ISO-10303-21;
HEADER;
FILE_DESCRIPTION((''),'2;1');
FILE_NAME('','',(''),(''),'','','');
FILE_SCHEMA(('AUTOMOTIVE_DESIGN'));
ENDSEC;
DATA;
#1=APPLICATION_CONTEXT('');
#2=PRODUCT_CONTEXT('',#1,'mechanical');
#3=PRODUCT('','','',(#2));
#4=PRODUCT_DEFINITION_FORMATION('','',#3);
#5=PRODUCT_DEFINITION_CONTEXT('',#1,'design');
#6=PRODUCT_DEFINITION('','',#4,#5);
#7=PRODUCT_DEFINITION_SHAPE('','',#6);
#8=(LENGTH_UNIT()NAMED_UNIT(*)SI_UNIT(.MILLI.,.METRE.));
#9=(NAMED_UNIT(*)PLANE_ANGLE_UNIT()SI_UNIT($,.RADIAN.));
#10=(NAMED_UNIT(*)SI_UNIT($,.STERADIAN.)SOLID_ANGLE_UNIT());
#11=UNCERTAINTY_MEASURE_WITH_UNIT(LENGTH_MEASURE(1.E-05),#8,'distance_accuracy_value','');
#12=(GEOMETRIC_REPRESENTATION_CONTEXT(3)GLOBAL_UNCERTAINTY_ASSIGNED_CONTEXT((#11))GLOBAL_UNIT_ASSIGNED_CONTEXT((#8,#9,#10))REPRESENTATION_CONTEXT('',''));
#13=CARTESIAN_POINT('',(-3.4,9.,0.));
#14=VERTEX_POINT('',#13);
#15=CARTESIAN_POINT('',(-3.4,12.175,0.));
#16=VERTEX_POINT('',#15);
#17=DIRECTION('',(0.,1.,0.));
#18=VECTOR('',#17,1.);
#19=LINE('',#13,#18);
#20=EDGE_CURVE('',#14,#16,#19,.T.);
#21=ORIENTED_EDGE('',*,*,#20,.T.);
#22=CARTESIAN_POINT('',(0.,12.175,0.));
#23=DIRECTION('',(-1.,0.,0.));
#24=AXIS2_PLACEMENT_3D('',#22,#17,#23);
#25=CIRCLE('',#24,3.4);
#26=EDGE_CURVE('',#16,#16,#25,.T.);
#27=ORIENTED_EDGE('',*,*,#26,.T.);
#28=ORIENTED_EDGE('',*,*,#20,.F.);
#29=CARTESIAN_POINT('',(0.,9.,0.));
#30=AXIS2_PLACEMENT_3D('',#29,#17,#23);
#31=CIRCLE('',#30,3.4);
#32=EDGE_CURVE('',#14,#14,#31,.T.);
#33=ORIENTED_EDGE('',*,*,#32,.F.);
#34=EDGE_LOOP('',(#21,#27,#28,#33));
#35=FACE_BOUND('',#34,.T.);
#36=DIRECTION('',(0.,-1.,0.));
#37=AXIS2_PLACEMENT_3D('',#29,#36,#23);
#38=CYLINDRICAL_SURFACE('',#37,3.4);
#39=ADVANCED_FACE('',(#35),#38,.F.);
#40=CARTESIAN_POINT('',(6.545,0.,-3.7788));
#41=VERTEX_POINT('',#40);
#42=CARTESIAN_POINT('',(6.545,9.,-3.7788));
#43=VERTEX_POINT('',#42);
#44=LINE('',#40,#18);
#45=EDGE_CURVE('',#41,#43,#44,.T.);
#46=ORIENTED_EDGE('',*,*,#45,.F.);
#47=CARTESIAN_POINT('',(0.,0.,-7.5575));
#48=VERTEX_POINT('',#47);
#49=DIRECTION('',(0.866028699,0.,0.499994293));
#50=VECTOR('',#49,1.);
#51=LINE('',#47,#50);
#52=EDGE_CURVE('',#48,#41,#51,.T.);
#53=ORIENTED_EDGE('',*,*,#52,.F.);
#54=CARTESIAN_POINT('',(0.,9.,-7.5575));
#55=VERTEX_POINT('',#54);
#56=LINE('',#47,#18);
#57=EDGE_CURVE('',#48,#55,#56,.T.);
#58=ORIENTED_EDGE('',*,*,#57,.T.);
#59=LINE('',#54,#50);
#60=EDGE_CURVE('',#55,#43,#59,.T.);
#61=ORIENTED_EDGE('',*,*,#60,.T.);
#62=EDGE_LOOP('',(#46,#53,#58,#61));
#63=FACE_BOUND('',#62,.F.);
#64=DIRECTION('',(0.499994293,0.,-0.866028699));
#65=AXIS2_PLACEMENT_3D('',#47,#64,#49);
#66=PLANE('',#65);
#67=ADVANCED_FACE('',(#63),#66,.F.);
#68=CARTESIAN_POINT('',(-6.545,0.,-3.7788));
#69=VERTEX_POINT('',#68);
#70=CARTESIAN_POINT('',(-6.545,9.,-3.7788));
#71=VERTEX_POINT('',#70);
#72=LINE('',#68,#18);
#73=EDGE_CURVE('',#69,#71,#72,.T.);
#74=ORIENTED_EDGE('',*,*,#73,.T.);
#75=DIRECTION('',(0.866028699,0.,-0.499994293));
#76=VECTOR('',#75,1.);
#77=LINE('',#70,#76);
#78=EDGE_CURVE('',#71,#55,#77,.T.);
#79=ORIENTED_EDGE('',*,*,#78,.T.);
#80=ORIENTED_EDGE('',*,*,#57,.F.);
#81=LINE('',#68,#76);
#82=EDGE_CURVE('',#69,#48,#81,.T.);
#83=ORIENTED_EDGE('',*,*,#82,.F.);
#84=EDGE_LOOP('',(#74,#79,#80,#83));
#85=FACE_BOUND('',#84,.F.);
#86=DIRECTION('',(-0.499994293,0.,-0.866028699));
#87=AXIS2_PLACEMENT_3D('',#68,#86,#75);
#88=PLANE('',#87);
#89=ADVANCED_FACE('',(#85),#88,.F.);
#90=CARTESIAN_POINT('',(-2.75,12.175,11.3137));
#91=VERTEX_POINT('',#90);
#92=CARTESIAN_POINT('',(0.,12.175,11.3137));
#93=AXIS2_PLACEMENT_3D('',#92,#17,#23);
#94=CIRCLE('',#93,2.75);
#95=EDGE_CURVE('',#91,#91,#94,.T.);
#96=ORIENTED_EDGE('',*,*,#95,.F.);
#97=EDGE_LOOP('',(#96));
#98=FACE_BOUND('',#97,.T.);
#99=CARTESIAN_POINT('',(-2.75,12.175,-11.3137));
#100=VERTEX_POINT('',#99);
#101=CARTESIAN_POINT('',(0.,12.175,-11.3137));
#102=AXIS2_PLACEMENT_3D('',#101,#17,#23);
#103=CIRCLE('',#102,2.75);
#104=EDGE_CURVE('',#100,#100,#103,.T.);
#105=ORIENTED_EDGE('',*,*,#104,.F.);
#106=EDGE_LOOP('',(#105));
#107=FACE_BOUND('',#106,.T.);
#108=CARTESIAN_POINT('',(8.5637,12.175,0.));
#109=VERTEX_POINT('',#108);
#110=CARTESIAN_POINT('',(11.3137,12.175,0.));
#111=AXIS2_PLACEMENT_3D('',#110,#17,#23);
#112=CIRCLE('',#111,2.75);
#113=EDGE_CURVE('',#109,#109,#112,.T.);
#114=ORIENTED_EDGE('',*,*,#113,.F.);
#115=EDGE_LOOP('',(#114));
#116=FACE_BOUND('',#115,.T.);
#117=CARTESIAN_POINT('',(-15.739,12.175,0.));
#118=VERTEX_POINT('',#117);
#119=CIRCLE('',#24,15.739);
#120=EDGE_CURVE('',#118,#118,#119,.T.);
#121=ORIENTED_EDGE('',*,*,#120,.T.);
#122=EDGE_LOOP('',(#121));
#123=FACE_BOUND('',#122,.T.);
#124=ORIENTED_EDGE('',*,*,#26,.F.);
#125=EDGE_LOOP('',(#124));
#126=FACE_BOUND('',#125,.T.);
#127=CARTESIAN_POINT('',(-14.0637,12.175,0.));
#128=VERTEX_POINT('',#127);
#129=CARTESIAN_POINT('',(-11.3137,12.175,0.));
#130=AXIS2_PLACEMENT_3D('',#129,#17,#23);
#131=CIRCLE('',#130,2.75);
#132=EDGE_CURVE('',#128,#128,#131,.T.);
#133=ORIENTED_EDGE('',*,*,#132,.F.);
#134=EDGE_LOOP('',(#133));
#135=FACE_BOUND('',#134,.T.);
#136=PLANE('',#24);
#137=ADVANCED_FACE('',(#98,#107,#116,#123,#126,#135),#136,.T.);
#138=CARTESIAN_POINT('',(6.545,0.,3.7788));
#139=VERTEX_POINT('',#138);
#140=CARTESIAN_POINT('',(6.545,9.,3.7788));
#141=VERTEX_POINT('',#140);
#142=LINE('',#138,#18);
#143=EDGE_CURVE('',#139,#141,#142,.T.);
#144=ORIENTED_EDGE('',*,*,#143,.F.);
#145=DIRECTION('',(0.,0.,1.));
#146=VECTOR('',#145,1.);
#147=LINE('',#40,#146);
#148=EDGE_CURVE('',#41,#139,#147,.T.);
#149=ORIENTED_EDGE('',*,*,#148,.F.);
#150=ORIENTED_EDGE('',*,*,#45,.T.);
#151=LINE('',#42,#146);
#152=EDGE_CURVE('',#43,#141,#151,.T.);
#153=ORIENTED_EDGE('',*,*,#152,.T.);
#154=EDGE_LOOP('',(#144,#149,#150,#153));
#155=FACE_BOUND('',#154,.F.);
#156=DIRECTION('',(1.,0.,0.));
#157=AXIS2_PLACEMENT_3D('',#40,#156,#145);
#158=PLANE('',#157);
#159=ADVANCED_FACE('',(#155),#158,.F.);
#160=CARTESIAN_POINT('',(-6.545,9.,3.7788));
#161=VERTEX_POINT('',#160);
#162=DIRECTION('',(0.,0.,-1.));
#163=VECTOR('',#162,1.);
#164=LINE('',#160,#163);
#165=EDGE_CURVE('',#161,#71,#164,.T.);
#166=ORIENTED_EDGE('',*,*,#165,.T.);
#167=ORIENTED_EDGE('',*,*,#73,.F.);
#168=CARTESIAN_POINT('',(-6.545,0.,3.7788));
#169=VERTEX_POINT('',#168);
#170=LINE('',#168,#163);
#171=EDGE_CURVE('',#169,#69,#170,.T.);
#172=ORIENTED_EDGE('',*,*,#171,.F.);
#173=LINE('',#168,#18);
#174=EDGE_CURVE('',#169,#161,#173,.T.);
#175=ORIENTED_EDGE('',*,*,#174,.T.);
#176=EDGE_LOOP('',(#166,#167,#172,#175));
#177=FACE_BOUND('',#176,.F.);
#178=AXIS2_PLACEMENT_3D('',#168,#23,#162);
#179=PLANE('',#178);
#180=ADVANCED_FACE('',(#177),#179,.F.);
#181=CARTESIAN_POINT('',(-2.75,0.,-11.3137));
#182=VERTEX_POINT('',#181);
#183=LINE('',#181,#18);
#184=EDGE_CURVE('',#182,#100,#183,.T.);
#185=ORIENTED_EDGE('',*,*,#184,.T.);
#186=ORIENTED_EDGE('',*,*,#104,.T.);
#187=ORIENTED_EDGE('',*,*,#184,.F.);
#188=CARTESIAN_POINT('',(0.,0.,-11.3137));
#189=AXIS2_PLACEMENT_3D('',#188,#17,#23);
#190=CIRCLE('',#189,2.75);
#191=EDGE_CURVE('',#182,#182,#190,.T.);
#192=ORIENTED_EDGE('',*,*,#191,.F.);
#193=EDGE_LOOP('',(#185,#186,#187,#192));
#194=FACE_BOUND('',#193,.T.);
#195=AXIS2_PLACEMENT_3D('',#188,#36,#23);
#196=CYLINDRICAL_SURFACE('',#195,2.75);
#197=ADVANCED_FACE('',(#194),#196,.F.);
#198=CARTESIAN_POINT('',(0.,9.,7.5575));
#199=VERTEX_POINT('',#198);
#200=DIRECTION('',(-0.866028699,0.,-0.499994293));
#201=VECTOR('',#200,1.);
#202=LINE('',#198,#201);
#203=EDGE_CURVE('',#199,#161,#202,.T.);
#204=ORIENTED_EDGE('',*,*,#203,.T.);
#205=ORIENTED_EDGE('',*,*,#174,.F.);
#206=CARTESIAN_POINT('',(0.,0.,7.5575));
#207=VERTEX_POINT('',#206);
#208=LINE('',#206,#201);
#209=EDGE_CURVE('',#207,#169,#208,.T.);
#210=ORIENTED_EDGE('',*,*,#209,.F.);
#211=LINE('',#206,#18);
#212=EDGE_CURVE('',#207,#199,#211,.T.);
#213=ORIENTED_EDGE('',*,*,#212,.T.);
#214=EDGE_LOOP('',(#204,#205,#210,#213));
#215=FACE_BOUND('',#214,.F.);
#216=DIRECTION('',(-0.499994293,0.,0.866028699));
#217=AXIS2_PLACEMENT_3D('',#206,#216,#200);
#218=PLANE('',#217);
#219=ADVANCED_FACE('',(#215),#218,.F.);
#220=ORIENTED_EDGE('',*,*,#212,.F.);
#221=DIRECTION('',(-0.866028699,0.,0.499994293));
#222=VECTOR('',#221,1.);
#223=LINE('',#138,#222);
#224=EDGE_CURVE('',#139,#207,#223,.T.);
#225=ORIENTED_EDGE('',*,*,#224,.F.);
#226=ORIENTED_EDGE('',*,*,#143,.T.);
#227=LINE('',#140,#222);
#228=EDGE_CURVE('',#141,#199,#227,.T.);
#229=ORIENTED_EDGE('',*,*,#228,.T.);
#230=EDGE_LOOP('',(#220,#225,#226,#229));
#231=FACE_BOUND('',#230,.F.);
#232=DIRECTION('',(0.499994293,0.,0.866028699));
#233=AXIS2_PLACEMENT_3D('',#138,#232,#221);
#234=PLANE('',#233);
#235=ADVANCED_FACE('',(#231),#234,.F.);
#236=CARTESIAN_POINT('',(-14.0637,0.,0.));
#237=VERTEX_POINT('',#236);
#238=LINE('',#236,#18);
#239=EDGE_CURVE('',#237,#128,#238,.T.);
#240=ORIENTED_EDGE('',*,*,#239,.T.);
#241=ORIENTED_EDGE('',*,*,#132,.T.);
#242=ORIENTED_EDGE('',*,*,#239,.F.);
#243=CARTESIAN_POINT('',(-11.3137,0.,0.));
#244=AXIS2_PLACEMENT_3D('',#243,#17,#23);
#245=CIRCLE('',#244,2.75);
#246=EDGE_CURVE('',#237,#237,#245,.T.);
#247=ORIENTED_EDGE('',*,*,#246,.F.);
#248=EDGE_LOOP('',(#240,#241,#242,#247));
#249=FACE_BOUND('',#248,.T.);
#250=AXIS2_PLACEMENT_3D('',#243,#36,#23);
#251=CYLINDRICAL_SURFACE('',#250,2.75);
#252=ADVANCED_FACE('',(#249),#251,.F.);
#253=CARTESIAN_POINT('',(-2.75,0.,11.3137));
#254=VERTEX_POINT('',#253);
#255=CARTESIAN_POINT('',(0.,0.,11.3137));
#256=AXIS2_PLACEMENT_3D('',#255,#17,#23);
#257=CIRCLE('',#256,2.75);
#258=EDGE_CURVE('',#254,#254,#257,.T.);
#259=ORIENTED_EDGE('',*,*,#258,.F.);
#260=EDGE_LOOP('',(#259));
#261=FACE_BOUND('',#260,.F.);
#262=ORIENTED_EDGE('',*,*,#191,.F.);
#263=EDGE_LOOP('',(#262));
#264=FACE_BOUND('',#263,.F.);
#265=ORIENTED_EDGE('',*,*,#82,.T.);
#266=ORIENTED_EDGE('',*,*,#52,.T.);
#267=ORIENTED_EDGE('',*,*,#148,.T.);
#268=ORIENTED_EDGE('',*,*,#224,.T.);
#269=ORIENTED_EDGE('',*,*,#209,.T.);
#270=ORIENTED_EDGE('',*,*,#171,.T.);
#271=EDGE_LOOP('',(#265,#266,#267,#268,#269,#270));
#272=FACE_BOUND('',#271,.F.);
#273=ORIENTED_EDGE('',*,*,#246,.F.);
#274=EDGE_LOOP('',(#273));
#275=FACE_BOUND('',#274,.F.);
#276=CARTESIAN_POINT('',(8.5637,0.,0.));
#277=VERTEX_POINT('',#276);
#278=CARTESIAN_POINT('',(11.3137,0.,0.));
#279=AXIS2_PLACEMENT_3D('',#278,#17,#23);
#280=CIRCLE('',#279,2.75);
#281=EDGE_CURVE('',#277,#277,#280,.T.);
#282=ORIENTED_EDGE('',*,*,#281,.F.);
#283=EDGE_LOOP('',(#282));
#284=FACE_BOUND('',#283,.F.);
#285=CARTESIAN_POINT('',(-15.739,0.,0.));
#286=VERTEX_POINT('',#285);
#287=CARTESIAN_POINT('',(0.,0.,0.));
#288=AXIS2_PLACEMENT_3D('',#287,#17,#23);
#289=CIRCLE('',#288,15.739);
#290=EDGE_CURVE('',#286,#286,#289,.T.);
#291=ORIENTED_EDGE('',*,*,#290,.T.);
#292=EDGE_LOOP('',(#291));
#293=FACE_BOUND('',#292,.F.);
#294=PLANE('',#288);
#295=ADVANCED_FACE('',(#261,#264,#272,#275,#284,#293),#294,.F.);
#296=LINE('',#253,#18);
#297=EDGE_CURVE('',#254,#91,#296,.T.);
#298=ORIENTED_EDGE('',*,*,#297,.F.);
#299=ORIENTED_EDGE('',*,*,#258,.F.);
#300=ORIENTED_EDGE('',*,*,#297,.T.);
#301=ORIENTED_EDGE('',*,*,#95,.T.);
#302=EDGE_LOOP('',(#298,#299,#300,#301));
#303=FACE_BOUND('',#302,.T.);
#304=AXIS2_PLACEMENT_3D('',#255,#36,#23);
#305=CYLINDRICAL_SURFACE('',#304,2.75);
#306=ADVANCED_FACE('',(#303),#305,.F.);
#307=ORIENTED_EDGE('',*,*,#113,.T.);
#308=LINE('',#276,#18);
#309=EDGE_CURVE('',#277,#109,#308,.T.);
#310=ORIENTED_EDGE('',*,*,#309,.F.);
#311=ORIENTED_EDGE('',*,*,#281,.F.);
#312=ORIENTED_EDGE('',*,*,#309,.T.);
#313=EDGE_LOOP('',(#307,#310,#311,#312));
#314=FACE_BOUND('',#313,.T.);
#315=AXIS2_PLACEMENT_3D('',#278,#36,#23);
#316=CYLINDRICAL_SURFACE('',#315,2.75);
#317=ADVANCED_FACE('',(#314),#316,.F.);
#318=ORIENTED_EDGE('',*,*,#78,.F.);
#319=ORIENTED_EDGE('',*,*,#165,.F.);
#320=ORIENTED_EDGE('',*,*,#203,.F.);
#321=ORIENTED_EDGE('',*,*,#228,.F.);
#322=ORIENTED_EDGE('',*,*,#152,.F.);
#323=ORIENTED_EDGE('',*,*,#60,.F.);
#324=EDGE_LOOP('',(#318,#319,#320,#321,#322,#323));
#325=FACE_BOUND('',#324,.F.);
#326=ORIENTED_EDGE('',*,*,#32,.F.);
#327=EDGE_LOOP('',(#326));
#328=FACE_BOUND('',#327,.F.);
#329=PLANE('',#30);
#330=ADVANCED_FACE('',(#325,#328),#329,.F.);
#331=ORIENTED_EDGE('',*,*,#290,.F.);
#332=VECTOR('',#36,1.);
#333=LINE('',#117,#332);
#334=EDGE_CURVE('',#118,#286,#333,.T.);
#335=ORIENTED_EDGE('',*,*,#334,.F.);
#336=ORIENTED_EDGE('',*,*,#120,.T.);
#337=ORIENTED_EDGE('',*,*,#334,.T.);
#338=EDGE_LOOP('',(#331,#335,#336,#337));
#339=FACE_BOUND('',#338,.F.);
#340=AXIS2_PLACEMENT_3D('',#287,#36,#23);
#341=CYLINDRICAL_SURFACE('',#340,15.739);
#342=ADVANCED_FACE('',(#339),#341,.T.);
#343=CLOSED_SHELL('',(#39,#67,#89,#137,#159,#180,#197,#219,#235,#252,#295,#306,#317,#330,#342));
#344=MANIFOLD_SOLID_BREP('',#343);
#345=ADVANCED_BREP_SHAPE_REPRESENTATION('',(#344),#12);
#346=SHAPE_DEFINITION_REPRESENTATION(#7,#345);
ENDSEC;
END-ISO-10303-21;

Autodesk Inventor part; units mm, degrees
ref_plane "YZ Plane" through (0, 0, 0) normal (1, 0, 0) x (0, 1, 0)
ref_plane "XZ Plane" through (0, 0, 0) normal (0, 1, 0) x (-1, 0, 0)
ref_plane "XY Plane" through (0, 0, 0) normal (0, 0, 1) x (1, 0, 0)
sketch "Sketch1" plane through (0, 0, 0) normal (0, 1, 0) x (-1, 0, 0)
  circle A0 centre (11.3137, 0) radius 2.75
  circle A1 centre (0, 0) radius 15.739
  line L0 (0, -7.5575) -> (-6.545, -3.7788)
  line L1 (-6.545, -3.7788) -> (-6.545, 3.7788)
  line L2 (-6.545, 3.7788) -> (0, 7.5575)
  line L3 (0, 7.5575) -> (6.545, 3.7788)
  line L4 (6.545, 3.7788) -> (6.545, -3.7788)
  line L5 (6.545, -3.7788) -> (0, -7.5575)
  circle A2 centre (0, 11.3137) radius 2.75
  circle A3 centre (-11.3137, 0) radius 2.75
  circle A4 centre (0, -11.3137) radius 2.75
  circle A5 centre (0, 0) radius 3.4
  point P0 (0, 0)
  dimension "d0" = 31.478
  dimension "d3" = 13.09
  dimension "d4" = 5.5
  dimension "d7" = 360
  dimension "d11" = 6.8
extrude "Extrusion1" add sketch "Sketch1" along normal blind 9 contours A1
extrude "Extrusion2" add sketch "Sketch1" along normal blind 3.175 from surface at 9 contours A1 | L0 L1 L2 L3 L4 L5
properties part number "GoBilda Mech Hub 0500 Hex"
